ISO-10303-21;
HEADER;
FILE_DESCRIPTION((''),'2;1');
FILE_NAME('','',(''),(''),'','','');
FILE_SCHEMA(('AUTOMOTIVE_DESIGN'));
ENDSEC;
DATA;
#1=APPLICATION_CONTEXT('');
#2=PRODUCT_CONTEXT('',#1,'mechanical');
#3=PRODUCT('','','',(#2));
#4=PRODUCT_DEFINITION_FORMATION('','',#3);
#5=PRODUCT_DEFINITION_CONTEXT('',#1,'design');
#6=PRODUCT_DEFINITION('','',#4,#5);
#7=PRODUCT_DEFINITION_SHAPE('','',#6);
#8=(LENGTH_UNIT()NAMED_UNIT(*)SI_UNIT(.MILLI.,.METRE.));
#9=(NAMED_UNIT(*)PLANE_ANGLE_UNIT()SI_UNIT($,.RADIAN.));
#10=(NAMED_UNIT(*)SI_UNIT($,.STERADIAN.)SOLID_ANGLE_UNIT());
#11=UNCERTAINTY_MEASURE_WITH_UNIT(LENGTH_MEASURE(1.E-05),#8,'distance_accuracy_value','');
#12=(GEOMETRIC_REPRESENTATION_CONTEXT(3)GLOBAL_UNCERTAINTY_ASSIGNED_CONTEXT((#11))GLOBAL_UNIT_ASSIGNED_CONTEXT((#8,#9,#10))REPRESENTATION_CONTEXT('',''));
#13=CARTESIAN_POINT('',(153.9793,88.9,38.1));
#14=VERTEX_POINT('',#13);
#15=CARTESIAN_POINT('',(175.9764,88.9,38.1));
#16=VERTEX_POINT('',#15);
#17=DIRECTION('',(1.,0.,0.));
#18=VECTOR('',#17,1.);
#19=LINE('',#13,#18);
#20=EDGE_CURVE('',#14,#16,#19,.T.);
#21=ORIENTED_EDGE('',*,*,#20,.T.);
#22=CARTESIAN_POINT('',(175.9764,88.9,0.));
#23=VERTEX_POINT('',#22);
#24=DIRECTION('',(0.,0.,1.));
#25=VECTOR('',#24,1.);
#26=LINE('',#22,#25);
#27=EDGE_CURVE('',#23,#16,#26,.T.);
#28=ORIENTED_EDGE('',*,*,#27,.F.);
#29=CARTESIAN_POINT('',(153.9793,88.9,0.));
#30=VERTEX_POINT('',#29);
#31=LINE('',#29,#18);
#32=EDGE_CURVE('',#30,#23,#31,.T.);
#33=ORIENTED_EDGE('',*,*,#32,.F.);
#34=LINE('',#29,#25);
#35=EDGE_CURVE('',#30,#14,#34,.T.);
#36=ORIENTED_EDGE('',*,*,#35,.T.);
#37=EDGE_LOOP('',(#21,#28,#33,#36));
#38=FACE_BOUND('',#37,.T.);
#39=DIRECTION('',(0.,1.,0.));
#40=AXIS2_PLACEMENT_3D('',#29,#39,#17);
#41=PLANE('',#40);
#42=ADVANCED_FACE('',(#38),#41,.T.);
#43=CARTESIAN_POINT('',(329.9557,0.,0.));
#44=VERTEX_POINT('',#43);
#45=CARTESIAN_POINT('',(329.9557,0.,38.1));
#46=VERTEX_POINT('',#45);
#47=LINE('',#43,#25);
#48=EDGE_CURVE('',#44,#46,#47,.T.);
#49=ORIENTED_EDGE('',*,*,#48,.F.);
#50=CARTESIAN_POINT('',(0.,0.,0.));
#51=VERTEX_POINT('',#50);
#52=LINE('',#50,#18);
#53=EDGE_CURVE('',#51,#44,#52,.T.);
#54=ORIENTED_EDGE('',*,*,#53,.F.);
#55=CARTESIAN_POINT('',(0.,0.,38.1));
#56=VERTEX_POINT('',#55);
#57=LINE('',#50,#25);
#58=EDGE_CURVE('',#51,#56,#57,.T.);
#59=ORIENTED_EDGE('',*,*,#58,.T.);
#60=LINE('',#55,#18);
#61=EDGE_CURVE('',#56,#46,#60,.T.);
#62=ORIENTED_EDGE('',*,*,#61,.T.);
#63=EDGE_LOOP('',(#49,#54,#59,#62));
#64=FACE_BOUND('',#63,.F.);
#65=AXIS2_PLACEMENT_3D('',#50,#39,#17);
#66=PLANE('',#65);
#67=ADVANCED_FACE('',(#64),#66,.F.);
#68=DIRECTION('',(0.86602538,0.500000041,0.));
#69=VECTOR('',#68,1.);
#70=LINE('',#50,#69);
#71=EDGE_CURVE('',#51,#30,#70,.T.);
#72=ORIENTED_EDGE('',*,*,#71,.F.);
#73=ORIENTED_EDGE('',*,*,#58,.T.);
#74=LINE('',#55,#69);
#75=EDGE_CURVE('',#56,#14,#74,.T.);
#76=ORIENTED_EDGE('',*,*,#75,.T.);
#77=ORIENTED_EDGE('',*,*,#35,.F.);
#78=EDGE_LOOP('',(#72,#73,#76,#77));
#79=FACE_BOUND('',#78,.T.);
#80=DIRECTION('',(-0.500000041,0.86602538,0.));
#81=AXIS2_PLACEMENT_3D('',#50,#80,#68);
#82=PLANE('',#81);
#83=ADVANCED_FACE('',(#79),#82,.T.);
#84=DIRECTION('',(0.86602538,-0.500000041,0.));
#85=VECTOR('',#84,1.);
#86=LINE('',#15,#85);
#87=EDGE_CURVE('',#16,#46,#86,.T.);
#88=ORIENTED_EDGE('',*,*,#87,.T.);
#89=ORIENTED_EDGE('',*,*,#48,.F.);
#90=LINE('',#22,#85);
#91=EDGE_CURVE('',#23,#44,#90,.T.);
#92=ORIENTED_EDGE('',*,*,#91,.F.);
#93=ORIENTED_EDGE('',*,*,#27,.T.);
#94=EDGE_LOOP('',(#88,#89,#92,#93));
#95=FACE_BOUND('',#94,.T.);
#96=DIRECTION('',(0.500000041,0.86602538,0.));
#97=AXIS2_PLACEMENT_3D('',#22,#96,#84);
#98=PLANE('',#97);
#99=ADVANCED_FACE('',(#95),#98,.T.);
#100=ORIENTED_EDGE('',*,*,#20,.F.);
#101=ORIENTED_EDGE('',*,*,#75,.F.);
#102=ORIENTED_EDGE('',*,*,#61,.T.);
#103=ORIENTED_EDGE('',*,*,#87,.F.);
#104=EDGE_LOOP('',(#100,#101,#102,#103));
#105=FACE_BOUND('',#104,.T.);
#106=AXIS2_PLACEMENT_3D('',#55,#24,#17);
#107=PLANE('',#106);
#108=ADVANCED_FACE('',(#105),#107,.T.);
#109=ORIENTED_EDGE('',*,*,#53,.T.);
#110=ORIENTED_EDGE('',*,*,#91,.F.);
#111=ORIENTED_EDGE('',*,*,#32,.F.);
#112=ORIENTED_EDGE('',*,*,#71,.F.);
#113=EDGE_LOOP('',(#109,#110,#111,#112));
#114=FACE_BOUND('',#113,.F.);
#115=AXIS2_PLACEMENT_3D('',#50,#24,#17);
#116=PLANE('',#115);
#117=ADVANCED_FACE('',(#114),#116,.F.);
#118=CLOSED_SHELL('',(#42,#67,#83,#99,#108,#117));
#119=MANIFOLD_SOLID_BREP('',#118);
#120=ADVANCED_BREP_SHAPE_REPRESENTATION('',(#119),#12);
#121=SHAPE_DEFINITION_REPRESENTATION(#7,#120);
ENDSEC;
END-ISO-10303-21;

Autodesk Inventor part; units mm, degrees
ref_plane "YZ Plane" through (0, 0, 0) normal (1, 0, 0) x (0, 1, 0)
ref_plane "XZ Plane" through (0, 0, 0) normal (0, 1, 0) x (-1, 0, 0)
ref_plane "XY Plane" through (0, 0, 0) normal (0, 0, 1) x (1, 0, 0)
sketch "Sketch1" plane through (0, 0, 0) normal (0, 0, 1) x (1, 0, 0)
  line L0 (0, 0) -> (329.9557, 0)
  line L1 (0, 0) -> (153.9793, 88.9)
  line L2 (0, 0) -> (177.8, 0) construction
  line L3 (153.9793, 88.9) -> (175.9764, 88.9)
  line L4 (175.9764, 88.9) -> (329.9557, 0)
  line L5 (153.9793, 88.9) -> (164.9778, 95.25) construction
  line L6 (164.9778, 95.25) -> (175.9764, 88.9) construction
  dimension "d0" = 30
  dimension "d1" = 30
  dimension "d2" = 88.9
  dimension "d3" = 190.5
extrude "Extrusion1" add sketch "Sketch1" along normal blind 38.1
properties part number "BA16" material "Wood (Oak)"
